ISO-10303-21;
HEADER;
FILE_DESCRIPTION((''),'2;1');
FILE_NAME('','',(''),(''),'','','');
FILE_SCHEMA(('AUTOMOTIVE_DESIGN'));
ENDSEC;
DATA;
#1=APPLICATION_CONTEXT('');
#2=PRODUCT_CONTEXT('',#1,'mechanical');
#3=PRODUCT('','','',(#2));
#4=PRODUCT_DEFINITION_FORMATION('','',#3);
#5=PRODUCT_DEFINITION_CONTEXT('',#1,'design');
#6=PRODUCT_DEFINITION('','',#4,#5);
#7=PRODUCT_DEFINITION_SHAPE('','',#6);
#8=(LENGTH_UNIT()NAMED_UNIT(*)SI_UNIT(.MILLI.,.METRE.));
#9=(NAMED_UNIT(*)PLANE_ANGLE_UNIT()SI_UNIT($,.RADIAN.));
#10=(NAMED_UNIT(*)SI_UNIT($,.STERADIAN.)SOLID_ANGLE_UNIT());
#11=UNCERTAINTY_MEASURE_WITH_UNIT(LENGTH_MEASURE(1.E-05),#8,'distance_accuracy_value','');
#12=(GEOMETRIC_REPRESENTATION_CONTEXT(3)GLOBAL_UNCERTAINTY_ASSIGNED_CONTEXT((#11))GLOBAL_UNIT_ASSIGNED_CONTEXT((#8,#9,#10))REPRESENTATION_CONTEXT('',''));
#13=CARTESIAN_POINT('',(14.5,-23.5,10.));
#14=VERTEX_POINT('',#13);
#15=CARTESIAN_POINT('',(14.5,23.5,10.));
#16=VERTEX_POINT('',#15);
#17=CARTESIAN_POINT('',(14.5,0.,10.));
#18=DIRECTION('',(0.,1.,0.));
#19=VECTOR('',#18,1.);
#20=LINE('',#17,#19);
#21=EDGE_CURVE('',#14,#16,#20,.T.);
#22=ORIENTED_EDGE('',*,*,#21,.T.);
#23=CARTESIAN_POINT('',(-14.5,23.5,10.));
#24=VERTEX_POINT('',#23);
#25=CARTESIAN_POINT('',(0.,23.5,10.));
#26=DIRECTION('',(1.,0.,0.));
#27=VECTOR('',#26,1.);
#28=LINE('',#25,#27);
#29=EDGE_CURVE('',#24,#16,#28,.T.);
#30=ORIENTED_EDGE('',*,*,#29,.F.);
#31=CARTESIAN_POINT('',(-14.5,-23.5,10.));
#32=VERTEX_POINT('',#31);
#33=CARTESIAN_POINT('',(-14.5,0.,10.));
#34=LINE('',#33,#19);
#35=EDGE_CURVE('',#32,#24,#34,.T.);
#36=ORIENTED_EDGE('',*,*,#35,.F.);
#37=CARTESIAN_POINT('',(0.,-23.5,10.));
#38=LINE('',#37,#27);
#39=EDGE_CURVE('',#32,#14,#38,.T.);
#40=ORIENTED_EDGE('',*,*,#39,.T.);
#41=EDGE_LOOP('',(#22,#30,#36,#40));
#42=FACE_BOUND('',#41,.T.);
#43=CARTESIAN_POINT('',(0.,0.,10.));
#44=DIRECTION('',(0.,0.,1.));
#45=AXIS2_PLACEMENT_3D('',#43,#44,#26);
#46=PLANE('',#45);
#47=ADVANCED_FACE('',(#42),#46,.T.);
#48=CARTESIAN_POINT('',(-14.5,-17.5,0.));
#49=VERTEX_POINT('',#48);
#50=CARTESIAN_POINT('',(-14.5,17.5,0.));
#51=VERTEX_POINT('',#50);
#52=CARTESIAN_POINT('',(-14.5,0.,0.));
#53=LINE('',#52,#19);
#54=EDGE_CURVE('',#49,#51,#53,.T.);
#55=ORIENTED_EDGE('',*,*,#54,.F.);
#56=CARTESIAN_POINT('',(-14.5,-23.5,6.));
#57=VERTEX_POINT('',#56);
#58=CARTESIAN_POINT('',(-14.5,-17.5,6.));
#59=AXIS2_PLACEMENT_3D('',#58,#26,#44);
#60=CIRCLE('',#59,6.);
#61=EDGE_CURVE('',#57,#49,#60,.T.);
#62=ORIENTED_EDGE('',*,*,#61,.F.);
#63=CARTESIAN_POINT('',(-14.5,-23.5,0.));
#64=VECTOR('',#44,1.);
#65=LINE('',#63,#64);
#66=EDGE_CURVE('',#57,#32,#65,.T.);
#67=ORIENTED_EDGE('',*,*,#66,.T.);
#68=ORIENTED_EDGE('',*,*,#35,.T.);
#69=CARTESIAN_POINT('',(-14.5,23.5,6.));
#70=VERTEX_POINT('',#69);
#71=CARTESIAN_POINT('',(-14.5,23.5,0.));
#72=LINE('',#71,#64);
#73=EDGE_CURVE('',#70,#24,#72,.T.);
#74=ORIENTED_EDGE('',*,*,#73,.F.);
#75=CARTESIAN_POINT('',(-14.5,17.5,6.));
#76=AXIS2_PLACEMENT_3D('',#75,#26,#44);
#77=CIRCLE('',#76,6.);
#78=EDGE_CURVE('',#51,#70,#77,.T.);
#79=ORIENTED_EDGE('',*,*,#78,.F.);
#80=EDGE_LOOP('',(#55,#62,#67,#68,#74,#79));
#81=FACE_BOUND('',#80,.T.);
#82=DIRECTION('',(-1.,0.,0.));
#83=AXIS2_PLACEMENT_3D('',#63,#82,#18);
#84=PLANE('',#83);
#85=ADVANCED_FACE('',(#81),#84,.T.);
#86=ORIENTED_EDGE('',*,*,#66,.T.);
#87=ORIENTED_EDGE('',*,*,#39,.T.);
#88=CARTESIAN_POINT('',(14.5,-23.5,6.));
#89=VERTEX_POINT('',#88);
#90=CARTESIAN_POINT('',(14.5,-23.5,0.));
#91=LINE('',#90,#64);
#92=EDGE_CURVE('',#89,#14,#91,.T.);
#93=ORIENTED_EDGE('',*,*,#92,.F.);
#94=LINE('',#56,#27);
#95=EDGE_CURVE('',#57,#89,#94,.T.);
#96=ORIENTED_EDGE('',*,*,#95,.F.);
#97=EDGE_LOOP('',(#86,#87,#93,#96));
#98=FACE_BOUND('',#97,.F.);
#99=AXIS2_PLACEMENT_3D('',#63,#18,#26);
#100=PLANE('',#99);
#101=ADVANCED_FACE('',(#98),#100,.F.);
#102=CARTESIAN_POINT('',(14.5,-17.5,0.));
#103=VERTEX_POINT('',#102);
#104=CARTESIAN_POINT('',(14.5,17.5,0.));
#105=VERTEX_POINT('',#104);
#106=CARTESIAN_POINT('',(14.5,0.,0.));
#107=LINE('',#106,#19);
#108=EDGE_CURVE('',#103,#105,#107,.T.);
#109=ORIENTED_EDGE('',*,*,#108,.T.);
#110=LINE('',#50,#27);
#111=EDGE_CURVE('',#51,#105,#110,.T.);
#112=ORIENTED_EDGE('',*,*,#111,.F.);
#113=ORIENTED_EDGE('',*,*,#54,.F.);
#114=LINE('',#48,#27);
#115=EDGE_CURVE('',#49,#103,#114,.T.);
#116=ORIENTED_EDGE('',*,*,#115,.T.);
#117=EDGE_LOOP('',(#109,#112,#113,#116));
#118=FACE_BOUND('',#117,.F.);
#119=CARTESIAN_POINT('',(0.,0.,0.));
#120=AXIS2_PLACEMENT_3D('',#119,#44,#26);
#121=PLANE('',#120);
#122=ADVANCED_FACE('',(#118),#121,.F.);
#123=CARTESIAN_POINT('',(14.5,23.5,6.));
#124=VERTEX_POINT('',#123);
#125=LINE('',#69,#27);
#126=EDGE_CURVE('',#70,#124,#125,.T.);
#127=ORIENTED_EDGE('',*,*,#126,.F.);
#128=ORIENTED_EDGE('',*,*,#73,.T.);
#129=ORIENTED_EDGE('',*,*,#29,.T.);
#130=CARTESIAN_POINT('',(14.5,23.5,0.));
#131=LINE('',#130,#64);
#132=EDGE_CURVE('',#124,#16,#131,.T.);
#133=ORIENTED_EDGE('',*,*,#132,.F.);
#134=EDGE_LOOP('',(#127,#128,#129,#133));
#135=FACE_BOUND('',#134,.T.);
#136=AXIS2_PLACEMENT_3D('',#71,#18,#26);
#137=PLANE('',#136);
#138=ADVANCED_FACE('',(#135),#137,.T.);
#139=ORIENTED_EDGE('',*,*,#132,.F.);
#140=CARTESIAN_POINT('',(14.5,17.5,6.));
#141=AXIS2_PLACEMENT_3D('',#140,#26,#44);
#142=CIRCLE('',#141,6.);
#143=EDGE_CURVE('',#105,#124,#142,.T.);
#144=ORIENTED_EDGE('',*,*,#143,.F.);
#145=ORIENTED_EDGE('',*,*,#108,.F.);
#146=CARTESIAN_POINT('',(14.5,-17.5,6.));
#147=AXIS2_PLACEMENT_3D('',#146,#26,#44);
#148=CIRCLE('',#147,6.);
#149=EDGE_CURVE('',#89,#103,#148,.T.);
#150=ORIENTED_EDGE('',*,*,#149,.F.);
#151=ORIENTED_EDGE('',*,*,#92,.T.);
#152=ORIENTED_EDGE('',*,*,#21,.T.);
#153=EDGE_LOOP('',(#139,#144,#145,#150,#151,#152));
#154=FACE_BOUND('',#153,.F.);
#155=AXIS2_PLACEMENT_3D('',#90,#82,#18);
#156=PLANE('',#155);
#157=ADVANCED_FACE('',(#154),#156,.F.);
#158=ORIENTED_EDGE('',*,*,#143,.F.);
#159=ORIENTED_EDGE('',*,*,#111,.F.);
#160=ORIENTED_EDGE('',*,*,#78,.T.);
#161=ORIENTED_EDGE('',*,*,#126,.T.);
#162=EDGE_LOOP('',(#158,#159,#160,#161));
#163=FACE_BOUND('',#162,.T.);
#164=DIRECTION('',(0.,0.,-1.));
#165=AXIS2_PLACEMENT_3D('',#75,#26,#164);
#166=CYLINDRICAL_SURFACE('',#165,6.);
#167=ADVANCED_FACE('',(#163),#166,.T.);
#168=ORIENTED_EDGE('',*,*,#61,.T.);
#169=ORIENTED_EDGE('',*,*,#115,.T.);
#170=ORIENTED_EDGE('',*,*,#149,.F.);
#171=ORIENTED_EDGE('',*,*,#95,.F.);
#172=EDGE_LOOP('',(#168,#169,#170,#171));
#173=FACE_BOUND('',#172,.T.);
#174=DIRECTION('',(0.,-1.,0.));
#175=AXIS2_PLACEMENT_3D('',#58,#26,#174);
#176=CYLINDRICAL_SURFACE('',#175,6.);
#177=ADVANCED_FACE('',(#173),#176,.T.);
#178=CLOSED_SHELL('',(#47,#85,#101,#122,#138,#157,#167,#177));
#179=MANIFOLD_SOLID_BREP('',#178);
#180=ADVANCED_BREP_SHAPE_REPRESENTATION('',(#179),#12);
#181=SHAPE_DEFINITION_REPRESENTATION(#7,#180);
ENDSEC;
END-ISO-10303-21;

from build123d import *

# Parameters (mm, degrees)
SKETCH_W    = 29
SKETCH_H    = 47
PAD_DEPTH   = 10
FILLET_R    = 6
FILLET001_R = 6


with BuildPart() as part:
    # Sketch → Pad (new body)
    with BuildSketch(Plane.XY):
        Rectangle(SKETCH_W, SKETCH_H)
    extrude(amount=PAD_DEPTH)

    # Fillet
    fillet_edges = [part.edges().sort_by_distance(p)[0] for p in [
        (0, -23.5, 0),
    ]]
    fillet(fillet_edges, radius=FILLET_R)

    # Fillet001
    fillet001_edges = [part.edges().sort_by_distance(p)[0] for p in [
        (0, 23.5, 0),
    ]]
    fillet(fillet001_edges, radius=FILLET001_R)


solid = part.part
